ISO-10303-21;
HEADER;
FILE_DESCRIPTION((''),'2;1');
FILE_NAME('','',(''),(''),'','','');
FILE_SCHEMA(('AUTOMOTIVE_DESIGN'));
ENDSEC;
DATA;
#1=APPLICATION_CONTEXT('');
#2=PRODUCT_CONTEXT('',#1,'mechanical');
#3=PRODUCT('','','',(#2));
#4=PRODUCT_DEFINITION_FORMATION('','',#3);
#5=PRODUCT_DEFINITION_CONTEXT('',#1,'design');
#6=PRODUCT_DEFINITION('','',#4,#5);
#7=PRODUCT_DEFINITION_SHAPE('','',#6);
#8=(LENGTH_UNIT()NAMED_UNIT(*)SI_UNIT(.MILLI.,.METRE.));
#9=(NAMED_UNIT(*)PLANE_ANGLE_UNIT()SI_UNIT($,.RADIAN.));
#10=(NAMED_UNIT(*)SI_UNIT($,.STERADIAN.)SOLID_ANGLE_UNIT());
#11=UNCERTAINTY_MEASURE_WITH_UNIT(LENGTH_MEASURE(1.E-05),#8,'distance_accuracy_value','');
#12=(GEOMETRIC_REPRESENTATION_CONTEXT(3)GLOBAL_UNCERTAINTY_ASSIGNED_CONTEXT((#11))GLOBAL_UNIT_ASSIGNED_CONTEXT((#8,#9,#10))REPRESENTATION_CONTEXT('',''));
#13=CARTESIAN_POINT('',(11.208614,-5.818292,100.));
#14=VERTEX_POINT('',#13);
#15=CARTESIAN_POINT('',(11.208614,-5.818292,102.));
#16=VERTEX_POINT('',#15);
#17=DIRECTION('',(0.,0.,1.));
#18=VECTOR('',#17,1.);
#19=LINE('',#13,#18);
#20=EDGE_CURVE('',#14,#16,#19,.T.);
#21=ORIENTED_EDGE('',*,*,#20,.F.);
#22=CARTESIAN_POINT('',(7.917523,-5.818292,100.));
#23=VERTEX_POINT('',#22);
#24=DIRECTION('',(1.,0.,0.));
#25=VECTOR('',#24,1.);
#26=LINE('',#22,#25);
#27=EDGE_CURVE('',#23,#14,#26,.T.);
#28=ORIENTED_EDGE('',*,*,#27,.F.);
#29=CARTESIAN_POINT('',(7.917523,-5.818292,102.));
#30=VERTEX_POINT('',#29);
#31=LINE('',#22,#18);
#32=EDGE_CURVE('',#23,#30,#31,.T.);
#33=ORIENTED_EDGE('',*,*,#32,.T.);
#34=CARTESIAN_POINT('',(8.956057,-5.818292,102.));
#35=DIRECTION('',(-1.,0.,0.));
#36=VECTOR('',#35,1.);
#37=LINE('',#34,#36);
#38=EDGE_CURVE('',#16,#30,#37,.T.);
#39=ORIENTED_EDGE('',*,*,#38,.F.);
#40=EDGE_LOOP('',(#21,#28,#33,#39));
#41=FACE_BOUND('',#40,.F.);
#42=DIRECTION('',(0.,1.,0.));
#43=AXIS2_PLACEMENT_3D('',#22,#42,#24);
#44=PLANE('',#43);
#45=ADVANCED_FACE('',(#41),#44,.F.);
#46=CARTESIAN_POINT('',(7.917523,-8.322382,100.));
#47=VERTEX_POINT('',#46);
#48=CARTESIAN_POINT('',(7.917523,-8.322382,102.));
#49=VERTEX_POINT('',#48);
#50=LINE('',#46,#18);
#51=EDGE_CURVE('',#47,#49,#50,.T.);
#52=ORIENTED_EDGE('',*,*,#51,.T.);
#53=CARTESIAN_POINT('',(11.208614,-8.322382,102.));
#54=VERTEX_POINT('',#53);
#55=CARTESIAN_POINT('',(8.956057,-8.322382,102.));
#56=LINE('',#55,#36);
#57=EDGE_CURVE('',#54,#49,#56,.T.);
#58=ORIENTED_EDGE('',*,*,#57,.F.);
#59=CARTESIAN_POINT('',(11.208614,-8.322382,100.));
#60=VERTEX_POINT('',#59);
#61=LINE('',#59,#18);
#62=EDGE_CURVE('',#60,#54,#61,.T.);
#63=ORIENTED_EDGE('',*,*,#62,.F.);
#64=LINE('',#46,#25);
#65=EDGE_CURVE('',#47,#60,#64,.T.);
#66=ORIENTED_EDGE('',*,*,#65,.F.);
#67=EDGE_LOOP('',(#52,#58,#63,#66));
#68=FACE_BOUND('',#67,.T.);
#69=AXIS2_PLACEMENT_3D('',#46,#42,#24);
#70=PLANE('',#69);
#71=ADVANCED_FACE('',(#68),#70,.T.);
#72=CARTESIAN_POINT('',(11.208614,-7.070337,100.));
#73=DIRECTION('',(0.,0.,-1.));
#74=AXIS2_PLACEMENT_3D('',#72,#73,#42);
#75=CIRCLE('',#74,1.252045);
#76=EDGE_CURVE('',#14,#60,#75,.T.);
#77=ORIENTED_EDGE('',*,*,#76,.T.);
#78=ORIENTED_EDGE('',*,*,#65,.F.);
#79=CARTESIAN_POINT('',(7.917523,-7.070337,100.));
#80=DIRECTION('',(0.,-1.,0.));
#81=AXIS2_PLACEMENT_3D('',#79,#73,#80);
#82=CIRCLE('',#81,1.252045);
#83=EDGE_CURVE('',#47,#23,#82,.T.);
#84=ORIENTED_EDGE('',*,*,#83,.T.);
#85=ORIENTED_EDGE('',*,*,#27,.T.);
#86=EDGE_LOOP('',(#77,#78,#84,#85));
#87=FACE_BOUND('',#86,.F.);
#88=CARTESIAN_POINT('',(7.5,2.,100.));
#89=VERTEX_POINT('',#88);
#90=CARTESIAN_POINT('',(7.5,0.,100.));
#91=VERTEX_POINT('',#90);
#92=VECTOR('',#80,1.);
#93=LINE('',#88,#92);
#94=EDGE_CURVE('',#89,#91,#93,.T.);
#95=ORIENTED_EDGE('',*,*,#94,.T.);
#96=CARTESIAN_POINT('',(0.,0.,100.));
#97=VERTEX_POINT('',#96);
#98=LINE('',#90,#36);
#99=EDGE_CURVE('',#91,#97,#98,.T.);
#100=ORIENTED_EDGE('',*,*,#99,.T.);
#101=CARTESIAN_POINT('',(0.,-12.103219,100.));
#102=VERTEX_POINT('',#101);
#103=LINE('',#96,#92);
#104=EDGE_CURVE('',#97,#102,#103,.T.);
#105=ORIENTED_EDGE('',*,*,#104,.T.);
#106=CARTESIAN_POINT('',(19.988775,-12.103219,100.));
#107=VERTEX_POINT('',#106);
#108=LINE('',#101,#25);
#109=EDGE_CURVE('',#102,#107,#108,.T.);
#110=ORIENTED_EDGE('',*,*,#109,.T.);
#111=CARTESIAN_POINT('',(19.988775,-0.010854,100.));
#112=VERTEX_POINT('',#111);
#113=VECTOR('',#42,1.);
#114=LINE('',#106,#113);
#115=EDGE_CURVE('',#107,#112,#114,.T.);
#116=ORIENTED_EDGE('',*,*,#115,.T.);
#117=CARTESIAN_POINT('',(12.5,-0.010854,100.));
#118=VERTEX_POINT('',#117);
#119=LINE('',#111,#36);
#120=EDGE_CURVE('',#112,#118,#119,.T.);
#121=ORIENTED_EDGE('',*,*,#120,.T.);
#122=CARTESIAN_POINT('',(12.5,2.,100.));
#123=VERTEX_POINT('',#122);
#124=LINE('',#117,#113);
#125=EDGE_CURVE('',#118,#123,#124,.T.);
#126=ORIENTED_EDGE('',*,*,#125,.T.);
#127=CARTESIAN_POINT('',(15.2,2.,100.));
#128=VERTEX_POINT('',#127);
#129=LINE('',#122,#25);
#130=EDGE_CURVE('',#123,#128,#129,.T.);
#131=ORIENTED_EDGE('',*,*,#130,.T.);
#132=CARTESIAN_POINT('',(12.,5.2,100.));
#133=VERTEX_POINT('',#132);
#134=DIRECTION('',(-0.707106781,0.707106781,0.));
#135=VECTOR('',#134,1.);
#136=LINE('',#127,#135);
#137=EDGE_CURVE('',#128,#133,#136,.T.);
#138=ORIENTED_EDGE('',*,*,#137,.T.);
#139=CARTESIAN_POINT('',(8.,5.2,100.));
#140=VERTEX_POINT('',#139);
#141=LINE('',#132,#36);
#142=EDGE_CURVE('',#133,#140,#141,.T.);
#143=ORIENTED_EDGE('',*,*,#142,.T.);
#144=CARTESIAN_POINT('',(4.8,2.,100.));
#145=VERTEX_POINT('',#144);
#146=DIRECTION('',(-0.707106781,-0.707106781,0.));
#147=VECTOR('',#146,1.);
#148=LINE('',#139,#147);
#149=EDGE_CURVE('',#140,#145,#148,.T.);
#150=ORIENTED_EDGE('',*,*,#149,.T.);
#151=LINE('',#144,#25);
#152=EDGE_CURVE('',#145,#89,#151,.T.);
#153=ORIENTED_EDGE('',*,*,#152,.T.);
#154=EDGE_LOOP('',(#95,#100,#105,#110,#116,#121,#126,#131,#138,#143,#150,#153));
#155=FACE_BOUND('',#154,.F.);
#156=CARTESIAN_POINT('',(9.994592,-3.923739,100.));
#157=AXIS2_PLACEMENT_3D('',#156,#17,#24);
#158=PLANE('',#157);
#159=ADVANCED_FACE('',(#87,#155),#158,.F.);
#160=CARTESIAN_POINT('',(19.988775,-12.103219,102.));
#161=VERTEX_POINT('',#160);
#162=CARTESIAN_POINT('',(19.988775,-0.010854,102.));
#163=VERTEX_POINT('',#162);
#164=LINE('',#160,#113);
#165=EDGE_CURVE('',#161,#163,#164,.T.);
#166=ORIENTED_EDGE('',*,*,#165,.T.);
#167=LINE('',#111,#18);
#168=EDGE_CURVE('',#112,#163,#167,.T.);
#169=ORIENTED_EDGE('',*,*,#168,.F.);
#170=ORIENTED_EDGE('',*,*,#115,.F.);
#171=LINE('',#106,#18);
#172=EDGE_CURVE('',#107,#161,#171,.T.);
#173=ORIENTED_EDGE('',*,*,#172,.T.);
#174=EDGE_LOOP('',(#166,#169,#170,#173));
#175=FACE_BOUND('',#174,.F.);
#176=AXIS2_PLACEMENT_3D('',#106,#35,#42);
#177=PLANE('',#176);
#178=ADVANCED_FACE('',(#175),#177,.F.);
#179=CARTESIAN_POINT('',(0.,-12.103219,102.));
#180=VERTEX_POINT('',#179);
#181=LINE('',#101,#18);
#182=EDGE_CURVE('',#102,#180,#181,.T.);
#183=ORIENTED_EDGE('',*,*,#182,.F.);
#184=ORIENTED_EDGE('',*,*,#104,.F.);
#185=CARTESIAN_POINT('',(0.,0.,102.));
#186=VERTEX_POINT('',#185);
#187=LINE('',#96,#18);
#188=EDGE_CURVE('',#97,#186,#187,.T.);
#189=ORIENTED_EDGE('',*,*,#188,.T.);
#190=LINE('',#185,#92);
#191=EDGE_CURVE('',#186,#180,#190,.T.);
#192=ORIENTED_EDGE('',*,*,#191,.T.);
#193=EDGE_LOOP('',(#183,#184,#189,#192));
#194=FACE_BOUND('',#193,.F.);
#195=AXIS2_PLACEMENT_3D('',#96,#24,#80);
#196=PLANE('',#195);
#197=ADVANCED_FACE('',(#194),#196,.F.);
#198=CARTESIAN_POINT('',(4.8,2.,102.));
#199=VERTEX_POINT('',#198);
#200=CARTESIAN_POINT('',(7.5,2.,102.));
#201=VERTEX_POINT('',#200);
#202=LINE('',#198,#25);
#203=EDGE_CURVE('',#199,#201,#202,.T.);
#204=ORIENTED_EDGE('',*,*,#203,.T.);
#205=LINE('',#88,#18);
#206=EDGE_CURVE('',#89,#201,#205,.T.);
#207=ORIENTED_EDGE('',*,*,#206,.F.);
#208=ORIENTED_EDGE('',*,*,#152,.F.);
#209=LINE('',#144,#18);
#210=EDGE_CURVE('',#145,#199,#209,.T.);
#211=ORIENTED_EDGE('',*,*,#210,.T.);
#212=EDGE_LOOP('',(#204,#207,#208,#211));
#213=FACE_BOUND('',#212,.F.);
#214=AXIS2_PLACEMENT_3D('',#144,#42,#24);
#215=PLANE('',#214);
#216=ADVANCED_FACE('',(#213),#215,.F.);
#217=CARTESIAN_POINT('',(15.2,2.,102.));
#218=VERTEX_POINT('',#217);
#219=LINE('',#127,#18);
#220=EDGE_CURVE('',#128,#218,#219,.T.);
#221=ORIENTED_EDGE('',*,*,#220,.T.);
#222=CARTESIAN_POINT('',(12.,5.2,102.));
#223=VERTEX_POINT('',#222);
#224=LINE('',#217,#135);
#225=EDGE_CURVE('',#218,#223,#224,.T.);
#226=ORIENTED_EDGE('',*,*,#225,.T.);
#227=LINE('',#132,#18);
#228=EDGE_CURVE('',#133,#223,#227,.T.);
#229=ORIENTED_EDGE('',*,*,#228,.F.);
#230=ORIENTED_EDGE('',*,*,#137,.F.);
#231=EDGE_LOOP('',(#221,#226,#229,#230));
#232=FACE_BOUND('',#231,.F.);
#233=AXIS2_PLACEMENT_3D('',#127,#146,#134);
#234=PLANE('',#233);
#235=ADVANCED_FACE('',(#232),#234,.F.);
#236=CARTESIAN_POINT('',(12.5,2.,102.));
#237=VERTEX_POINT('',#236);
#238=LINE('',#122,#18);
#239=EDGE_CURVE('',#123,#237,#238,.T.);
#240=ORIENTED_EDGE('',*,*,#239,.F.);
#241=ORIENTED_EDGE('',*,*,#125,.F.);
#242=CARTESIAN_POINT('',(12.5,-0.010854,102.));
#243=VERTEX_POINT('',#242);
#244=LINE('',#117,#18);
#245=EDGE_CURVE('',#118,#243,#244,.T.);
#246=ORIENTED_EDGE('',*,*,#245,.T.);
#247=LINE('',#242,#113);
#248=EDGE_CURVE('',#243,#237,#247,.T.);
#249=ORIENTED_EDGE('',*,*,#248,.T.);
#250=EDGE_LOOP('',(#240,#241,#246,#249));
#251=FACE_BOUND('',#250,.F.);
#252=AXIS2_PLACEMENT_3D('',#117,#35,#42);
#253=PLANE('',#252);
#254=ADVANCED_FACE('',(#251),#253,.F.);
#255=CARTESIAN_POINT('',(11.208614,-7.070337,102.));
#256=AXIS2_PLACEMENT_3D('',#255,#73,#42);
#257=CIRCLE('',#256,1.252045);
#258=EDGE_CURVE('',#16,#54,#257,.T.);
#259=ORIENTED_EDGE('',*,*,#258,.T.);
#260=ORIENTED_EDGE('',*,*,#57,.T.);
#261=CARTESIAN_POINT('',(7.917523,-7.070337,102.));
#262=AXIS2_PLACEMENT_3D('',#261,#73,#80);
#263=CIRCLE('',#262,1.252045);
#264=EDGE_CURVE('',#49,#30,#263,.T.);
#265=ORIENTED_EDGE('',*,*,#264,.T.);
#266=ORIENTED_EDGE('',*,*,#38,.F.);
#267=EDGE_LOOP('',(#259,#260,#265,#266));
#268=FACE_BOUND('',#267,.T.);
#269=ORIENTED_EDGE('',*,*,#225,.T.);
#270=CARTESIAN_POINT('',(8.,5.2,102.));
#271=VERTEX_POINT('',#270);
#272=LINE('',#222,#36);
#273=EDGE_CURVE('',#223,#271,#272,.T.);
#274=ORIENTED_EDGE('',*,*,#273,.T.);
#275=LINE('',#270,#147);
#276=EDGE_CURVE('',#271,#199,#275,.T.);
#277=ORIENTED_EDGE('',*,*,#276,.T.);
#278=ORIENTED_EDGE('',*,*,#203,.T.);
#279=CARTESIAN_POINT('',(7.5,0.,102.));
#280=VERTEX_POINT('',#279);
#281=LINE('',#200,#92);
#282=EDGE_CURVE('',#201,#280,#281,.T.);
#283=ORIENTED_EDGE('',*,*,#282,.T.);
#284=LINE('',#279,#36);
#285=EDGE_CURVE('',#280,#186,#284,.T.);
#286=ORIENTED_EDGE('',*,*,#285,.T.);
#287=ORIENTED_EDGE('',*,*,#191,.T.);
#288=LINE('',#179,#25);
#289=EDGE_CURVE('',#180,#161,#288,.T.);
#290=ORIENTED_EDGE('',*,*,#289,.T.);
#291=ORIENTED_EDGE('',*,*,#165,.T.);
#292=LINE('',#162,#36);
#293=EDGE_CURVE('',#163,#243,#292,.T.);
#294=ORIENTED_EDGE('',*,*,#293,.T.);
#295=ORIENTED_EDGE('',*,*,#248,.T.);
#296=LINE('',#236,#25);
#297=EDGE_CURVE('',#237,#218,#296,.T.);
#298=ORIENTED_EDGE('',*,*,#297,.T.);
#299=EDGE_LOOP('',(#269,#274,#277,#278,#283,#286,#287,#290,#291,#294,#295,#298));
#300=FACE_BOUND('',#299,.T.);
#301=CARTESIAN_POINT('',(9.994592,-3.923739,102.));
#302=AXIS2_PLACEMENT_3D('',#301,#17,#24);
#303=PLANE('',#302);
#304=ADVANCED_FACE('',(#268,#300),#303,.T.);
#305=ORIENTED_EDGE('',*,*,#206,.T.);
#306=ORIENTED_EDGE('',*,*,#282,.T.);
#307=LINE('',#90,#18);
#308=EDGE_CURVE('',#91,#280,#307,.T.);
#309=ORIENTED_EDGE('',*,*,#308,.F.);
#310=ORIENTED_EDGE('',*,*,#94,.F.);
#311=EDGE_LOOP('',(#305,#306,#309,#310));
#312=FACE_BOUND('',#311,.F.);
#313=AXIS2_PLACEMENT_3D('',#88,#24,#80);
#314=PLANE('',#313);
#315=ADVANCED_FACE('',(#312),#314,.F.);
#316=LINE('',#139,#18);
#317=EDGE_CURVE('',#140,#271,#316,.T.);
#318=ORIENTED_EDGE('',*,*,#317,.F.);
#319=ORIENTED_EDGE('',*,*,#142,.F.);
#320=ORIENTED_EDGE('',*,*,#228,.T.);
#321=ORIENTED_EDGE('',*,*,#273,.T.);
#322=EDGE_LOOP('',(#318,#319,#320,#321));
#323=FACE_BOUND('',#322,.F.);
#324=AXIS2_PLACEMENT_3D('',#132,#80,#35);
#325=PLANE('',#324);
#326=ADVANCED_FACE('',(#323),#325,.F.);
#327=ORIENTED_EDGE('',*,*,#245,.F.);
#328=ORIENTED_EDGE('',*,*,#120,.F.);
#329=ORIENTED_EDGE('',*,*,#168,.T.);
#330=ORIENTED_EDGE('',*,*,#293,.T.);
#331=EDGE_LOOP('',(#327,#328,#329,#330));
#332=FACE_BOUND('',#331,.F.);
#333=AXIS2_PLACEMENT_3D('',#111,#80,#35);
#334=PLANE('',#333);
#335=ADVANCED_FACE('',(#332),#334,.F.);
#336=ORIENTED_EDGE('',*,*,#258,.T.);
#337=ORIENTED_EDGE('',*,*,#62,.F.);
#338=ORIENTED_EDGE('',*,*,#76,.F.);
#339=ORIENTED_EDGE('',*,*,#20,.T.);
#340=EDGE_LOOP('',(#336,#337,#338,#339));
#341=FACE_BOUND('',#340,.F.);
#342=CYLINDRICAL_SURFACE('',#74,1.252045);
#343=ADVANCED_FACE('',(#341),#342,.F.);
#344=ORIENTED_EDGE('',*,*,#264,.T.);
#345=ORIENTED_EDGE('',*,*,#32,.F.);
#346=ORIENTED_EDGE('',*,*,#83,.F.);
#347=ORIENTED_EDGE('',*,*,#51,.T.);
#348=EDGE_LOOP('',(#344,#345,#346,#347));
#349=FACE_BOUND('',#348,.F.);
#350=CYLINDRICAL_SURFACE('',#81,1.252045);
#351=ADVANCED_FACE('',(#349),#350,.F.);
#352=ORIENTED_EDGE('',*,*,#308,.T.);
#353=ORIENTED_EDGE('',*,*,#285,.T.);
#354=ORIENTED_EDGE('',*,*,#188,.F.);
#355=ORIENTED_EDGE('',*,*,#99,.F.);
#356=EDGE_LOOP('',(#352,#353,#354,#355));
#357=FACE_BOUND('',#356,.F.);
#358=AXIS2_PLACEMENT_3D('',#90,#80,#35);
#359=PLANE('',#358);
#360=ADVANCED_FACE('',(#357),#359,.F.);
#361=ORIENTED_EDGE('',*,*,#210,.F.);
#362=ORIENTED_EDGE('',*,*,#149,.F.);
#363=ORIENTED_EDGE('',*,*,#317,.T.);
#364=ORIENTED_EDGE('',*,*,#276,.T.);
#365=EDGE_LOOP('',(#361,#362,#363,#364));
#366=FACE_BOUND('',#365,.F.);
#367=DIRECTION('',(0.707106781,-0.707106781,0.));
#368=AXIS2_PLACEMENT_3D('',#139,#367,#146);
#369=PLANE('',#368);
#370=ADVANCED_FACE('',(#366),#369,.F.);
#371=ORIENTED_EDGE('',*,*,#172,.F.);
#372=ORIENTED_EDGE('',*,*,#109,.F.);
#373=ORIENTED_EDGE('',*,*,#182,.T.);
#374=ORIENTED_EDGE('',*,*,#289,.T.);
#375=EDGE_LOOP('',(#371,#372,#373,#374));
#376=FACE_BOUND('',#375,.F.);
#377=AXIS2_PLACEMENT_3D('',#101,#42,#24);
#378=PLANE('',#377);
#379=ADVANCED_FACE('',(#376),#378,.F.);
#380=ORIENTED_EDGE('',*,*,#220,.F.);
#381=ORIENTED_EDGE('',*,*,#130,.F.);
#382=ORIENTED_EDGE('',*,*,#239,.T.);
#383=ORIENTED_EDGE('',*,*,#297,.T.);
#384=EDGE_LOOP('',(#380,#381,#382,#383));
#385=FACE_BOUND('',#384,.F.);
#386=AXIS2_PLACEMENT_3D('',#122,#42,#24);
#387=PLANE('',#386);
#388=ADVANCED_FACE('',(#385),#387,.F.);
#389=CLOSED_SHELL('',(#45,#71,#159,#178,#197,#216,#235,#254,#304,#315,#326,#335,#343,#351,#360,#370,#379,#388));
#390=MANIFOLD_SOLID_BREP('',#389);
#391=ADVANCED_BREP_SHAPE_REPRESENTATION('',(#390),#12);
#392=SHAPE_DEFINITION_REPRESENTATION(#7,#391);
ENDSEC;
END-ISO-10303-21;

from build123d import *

# Parameters (mm, degrees)
PAD_DEPTH    = 2
POCKET_DEPTH = 5


with BuildPart() as part:
    # Sketch003 → Pad (new body)
    with BuildSketch(Plane.XY.offset(100)):
        Polygon((19.988775, -0.010854), (12.5, -0.010854), (12.5, 2), (15.2, 2), (12, 5.2), (8, 5.2), (4.8, 2), (7.5, 2), (7.5, 0), (0, 0), (0, -12.103219), (19.988775, -12.103219), align=None)
    extrude(amount=PAD_DEPTH)

    # Sketch (on Face13 of Pad) → Pocket (cut)
    with BuildSketch(Plane(origin=(0, 0, 100), x_dir=(1, 0, 0), z_dir=(0, 0, -1))):
        with BuildLine():
            ThreePointArc((7.917523, 8.322382), (6.665478, 7.070337), (7.917523, 5.818292))
            Line((7.917523, 5.818292), (11.208614, 5.818292))
            ThreePointArc((11.208614, 5.818292), (12.460659, 7.070337), (11.208614, 8.322382))
            Line((7.917523, 8.322382), (11.208614, 8.322382))
        make_face()
    extrude(amount=-POCKET_DEPTH, mode=Mode.SUBTRACT)


solid = part.part
